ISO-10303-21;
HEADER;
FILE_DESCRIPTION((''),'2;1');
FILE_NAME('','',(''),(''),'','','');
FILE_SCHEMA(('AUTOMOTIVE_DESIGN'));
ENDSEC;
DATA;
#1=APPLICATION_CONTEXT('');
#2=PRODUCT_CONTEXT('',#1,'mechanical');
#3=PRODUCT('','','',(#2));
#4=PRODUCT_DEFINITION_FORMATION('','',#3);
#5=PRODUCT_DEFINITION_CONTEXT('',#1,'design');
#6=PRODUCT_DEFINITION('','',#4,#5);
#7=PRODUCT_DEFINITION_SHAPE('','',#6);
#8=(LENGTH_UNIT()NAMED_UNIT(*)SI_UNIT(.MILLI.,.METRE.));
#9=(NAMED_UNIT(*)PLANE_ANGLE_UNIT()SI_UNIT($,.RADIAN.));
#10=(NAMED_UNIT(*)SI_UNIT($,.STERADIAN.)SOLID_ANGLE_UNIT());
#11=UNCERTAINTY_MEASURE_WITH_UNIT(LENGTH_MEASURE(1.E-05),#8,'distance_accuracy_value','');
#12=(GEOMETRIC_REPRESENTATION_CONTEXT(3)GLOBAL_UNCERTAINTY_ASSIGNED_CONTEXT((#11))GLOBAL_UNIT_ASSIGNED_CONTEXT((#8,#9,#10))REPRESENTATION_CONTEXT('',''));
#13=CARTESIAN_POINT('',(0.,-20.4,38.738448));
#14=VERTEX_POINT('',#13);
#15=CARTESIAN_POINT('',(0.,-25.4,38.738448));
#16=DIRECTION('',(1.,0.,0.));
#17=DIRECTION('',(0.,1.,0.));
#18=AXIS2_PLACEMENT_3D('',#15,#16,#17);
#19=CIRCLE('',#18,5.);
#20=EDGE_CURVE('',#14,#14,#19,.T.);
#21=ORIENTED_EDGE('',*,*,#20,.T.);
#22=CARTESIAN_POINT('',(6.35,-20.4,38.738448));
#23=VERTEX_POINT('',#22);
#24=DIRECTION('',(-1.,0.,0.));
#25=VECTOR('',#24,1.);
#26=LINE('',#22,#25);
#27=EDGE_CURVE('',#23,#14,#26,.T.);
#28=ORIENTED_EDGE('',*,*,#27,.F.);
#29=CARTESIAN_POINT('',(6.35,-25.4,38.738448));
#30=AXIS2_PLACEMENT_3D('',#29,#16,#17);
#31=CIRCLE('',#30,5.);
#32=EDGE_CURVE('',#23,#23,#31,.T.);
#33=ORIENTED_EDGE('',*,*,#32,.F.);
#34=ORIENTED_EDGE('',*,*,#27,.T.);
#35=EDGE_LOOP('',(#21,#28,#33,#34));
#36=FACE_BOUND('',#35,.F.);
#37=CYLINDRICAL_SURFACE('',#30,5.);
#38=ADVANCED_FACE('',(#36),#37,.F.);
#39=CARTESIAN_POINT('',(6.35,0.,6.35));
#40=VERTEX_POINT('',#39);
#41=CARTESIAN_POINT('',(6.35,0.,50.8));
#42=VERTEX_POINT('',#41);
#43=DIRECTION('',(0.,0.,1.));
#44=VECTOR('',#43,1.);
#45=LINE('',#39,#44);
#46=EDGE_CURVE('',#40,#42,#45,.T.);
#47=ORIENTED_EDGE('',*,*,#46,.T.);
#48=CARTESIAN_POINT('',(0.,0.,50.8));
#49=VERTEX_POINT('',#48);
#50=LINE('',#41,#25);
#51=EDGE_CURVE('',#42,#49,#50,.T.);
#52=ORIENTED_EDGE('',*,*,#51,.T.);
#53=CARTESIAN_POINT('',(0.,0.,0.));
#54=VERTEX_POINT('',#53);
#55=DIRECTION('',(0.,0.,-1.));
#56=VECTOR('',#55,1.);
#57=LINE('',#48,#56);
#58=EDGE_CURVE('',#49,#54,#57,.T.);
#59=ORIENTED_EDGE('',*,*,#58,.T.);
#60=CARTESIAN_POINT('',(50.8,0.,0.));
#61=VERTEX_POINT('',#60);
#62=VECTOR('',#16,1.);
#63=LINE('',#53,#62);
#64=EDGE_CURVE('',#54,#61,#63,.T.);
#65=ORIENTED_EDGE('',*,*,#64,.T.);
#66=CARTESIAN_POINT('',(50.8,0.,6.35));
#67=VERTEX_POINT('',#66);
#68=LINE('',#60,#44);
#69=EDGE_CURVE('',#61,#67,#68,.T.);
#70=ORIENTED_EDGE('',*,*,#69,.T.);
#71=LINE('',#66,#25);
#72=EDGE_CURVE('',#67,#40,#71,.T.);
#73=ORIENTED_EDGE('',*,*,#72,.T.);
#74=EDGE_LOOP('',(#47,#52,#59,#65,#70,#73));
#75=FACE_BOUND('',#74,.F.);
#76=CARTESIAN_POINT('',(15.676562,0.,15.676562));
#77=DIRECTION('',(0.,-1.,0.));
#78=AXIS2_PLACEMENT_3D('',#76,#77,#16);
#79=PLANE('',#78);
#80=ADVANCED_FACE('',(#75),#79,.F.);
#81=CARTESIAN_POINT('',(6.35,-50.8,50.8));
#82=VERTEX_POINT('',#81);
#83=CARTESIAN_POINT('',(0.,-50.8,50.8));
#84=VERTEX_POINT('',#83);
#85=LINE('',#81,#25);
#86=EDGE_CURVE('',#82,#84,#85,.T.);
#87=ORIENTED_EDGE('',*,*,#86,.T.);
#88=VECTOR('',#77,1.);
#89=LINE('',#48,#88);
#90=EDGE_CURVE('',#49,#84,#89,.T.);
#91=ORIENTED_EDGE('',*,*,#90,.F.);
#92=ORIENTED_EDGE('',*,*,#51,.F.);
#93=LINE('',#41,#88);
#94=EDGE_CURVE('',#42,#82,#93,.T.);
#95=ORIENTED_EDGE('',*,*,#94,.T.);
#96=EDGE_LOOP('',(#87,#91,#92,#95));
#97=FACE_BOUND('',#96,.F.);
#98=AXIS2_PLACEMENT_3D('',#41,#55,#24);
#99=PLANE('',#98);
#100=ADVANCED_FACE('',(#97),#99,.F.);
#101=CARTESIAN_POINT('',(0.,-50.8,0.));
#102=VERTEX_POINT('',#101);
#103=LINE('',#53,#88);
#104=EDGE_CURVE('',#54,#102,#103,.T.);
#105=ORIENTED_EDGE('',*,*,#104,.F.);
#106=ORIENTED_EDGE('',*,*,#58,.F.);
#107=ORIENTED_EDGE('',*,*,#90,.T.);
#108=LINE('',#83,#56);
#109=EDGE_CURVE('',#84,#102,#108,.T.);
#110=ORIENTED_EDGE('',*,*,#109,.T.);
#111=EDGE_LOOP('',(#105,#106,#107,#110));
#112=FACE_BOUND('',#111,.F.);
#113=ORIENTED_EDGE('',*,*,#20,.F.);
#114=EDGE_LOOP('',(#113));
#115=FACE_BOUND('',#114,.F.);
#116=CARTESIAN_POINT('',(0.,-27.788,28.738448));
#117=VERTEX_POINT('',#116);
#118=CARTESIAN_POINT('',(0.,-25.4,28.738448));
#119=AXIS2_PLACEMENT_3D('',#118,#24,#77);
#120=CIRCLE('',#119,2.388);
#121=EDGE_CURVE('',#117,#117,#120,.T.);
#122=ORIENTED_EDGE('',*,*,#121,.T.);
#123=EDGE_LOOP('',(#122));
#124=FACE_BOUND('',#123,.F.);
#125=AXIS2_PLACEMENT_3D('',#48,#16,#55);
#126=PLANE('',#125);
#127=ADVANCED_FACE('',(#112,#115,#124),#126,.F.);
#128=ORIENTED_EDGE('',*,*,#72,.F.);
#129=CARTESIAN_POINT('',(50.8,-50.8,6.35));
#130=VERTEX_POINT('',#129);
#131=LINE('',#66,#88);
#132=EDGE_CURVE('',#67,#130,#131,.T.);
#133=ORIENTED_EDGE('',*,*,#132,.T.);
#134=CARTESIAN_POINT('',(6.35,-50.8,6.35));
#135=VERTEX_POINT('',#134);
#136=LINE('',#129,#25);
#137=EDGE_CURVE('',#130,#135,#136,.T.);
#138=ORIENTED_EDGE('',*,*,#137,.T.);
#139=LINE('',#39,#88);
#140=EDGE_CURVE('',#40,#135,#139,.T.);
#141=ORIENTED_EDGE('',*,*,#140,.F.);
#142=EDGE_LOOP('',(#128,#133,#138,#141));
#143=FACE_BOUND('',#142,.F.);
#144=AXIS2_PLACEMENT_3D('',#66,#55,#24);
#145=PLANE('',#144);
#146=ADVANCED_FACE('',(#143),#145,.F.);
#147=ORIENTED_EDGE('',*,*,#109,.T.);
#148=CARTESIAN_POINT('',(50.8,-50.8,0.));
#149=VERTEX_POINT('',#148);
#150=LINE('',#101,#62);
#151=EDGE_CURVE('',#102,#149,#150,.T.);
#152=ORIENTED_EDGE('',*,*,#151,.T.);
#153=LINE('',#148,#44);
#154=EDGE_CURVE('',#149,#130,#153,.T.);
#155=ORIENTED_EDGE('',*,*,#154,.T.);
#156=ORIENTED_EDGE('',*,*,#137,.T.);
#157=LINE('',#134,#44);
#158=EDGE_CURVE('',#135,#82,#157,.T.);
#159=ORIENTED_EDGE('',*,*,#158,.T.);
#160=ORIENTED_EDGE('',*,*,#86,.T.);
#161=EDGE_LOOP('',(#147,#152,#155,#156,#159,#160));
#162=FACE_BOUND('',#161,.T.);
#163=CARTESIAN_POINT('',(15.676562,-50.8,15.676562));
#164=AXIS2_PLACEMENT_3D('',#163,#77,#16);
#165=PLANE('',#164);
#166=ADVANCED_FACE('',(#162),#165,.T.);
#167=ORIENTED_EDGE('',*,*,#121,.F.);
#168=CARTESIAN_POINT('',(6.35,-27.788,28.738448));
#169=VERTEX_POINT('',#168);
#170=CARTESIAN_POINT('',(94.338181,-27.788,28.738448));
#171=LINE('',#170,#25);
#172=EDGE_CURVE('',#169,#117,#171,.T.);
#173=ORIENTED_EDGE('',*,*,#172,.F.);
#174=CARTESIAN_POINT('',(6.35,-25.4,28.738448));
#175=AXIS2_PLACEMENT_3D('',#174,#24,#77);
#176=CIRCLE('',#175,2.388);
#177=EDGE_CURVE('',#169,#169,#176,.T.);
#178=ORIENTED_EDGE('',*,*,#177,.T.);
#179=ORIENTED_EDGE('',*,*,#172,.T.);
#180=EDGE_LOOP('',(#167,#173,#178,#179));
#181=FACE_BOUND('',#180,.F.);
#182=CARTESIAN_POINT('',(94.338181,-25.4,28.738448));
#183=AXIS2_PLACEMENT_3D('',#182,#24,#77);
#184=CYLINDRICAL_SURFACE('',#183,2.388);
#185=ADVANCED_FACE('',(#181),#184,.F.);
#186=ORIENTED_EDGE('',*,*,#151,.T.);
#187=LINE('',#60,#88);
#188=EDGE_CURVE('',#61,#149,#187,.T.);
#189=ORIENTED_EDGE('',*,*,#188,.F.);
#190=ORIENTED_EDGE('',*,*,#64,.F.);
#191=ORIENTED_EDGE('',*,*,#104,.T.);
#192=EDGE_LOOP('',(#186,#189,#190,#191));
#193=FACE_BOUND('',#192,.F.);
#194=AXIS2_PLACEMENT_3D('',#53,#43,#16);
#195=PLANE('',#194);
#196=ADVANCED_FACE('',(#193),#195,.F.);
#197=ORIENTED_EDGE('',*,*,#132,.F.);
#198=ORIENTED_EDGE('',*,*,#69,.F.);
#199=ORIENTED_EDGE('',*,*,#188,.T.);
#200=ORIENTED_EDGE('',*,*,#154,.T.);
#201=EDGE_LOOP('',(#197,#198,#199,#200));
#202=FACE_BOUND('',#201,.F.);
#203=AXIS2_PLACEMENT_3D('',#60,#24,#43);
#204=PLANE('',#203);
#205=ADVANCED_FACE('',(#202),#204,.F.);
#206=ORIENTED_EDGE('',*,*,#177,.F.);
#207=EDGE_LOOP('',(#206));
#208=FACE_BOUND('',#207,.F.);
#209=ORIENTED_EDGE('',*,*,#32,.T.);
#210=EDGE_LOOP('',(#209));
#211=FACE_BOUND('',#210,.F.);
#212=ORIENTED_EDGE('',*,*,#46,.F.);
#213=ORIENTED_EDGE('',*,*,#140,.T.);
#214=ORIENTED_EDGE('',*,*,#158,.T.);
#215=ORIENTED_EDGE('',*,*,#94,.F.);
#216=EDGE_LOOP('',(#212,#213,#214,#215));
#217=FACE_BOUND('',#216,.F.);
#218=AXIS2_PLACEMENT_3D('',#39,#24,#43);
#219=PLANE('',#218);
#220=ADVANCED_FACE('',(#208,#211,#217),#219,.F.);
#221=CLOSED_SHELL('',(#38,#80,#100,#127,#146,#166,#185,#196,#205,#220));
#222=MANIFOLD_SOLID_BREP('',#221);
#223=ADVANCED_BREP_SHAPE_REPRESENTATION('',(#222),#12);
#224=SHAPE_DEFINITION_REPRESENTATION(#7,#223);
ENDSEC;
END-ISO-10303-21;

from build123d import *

# Parameters (mm, degrees)
F1_DEPTH = 50.8
F2_R     = 5
F3_DEPTH = 6.351
F5_D     = 4.776


with BuildPart() as f1:
    # F0 (on Front) → F1 (new body)
    with BuildSketch(Plane.XZ):
        Polygon((0, 50.8), (0, 0), (50.8, 0), (50.8, 6.35), (6.35, 6.35), (6.35, 50.8), align=None)
    extrude(amount=F1_DEPTH)

    # F2 (on face) → F3 (cut, through all)
    with BuildSketch(Plane.YZ.offset(6.35)):
        with Locations((-25.4, 38.738448)):
            Circle(F2_R)
    extrude(amount=-F3_DEPTH, mode=Mode.SUBTRACT)

    # F5 (through all)
    with Locations(Plane.YZ.offset(6.35)):
        with Locations((-25.4, 28.738448)):
            Hole(F5_D / 2)


solid = f1.part
